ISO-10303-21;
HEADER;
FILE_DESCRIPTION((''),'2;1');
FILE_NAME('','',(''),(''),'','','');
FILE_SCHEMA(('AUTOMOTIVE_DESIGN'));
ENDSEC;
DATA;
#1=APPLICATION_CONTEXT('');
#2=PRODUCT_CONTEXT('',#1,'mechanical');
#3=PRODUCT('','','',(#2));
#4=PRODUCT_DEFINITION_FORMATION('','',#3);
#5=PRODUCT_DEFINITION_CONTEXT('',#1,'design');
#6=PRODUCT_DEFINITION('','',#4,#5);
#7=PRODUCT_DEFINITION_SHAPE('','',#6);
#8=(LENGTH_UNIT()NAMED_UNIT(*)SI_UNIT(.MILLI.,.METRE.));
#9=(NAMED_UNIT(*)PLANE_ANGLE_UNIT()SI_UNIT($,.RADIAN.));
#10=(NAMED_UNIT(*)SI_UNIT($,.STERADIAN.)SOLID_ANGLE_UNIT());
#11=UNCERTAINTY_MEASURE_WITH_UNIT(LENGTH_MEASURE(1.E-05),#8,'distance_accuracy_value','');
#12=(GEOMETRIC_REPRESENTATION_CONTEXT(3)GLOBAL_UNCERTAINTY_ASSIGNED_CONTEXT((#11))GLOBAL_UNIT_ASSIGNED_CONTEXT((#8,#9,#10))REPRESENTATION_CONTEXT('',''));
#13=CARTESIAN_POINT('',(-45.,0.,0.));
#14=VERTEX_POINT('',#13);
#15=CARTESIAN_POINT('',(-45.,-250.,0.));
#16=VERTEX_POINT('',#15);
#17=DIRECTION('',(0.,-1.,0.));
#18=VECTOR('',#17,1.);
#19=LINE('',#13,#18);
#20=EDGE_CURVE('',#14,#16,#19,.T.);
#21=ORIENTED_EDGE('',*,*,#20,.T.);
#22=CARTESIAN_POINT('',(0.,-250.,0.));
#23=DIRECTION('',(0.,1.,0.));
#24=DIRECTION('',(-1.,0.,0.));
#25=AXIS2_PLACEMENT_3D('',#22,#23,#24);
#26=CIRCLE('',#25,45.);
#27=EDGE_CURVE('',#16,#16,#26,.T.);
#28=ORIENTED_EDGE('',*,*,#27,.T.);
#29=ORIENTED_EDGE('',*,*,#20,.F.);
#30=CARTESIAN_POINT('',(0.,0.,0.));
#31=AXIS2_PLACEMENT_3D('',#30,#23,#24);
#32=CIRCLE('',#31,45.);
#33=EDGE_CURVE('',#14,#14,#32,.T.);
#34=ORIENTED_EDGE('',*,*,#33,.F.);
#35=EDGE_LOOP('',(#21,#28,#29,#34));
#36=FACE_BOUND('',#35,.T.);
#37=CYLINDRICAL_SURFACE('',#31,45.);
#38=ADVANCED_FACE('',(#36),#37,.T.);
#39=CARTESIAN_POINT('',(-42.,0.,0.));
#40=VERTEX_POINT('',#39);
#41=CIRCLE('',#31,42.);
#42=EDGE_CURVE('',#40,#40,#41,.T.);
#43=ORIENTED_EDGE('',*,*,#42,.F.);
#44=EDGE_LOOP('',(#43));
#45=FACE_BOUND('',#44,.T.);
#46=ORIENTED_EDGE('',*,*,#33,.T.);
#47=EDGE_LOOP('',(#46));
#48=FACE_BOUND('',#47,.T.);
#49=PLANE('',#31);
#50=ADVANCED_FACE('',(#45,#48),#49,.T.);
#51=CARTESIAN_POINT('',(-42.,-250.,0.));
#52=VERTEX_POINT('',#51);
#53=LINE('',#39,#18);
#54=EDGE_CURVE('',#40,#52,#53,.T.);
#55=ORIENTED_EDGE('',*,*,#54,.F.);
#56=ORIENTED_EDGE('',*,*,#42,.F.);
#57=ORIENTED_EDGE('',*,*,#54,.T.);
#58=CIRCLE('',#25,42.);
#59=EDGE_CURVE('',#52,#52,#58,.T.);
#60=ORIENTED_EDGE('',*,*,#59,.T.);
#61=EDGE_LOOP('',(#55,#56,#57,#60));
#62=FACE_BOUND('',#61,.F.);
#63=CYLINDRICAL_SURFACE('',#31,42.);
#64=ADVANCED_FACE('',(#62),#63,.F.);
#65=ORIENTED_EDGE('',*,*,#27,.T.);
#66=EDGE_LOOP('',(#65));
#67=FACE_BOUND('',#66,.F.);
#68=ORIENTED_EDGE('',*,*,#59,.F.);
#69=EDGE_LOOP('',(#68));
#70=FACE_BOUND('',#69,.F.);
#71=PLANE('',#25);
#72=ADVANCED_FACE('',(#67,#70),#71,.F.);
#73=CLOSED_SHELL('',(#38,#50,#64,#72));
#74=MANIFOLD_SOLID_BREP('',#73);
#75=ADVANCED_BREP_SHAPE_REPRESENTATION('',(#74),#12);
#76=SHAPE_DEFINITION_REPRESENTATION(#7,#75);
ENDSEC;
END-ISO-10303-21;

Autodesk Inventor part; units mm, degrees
ref_plane "YZ Plane" through (0, 0, 0) normal (1, 0, 0) x (0, 1, 0)
ref_plane "XZ Plane" through (0, 0, 0) normal (0, 1, 0) x (-1, 0, 0)
ref_plane "XY Plane" through (0, 0, 0) normal (0, 0, 1) x (1, 0, 0)
sketch "Sketch1" plane through (0, 0, 0) normal (0, 1, 0) x (-1, 0, 0)
  circle A0 centre (0, 0) radius 45
  circle A1 centre (0, 0) radius 42
  dimension "d0" = 90
  dimension "d1" = 3
extrude "Extrusion1" add sketch "Sketch1" against normal blind 250
properties part number "PRS 9613 FDS tube 3_D1200 940"
